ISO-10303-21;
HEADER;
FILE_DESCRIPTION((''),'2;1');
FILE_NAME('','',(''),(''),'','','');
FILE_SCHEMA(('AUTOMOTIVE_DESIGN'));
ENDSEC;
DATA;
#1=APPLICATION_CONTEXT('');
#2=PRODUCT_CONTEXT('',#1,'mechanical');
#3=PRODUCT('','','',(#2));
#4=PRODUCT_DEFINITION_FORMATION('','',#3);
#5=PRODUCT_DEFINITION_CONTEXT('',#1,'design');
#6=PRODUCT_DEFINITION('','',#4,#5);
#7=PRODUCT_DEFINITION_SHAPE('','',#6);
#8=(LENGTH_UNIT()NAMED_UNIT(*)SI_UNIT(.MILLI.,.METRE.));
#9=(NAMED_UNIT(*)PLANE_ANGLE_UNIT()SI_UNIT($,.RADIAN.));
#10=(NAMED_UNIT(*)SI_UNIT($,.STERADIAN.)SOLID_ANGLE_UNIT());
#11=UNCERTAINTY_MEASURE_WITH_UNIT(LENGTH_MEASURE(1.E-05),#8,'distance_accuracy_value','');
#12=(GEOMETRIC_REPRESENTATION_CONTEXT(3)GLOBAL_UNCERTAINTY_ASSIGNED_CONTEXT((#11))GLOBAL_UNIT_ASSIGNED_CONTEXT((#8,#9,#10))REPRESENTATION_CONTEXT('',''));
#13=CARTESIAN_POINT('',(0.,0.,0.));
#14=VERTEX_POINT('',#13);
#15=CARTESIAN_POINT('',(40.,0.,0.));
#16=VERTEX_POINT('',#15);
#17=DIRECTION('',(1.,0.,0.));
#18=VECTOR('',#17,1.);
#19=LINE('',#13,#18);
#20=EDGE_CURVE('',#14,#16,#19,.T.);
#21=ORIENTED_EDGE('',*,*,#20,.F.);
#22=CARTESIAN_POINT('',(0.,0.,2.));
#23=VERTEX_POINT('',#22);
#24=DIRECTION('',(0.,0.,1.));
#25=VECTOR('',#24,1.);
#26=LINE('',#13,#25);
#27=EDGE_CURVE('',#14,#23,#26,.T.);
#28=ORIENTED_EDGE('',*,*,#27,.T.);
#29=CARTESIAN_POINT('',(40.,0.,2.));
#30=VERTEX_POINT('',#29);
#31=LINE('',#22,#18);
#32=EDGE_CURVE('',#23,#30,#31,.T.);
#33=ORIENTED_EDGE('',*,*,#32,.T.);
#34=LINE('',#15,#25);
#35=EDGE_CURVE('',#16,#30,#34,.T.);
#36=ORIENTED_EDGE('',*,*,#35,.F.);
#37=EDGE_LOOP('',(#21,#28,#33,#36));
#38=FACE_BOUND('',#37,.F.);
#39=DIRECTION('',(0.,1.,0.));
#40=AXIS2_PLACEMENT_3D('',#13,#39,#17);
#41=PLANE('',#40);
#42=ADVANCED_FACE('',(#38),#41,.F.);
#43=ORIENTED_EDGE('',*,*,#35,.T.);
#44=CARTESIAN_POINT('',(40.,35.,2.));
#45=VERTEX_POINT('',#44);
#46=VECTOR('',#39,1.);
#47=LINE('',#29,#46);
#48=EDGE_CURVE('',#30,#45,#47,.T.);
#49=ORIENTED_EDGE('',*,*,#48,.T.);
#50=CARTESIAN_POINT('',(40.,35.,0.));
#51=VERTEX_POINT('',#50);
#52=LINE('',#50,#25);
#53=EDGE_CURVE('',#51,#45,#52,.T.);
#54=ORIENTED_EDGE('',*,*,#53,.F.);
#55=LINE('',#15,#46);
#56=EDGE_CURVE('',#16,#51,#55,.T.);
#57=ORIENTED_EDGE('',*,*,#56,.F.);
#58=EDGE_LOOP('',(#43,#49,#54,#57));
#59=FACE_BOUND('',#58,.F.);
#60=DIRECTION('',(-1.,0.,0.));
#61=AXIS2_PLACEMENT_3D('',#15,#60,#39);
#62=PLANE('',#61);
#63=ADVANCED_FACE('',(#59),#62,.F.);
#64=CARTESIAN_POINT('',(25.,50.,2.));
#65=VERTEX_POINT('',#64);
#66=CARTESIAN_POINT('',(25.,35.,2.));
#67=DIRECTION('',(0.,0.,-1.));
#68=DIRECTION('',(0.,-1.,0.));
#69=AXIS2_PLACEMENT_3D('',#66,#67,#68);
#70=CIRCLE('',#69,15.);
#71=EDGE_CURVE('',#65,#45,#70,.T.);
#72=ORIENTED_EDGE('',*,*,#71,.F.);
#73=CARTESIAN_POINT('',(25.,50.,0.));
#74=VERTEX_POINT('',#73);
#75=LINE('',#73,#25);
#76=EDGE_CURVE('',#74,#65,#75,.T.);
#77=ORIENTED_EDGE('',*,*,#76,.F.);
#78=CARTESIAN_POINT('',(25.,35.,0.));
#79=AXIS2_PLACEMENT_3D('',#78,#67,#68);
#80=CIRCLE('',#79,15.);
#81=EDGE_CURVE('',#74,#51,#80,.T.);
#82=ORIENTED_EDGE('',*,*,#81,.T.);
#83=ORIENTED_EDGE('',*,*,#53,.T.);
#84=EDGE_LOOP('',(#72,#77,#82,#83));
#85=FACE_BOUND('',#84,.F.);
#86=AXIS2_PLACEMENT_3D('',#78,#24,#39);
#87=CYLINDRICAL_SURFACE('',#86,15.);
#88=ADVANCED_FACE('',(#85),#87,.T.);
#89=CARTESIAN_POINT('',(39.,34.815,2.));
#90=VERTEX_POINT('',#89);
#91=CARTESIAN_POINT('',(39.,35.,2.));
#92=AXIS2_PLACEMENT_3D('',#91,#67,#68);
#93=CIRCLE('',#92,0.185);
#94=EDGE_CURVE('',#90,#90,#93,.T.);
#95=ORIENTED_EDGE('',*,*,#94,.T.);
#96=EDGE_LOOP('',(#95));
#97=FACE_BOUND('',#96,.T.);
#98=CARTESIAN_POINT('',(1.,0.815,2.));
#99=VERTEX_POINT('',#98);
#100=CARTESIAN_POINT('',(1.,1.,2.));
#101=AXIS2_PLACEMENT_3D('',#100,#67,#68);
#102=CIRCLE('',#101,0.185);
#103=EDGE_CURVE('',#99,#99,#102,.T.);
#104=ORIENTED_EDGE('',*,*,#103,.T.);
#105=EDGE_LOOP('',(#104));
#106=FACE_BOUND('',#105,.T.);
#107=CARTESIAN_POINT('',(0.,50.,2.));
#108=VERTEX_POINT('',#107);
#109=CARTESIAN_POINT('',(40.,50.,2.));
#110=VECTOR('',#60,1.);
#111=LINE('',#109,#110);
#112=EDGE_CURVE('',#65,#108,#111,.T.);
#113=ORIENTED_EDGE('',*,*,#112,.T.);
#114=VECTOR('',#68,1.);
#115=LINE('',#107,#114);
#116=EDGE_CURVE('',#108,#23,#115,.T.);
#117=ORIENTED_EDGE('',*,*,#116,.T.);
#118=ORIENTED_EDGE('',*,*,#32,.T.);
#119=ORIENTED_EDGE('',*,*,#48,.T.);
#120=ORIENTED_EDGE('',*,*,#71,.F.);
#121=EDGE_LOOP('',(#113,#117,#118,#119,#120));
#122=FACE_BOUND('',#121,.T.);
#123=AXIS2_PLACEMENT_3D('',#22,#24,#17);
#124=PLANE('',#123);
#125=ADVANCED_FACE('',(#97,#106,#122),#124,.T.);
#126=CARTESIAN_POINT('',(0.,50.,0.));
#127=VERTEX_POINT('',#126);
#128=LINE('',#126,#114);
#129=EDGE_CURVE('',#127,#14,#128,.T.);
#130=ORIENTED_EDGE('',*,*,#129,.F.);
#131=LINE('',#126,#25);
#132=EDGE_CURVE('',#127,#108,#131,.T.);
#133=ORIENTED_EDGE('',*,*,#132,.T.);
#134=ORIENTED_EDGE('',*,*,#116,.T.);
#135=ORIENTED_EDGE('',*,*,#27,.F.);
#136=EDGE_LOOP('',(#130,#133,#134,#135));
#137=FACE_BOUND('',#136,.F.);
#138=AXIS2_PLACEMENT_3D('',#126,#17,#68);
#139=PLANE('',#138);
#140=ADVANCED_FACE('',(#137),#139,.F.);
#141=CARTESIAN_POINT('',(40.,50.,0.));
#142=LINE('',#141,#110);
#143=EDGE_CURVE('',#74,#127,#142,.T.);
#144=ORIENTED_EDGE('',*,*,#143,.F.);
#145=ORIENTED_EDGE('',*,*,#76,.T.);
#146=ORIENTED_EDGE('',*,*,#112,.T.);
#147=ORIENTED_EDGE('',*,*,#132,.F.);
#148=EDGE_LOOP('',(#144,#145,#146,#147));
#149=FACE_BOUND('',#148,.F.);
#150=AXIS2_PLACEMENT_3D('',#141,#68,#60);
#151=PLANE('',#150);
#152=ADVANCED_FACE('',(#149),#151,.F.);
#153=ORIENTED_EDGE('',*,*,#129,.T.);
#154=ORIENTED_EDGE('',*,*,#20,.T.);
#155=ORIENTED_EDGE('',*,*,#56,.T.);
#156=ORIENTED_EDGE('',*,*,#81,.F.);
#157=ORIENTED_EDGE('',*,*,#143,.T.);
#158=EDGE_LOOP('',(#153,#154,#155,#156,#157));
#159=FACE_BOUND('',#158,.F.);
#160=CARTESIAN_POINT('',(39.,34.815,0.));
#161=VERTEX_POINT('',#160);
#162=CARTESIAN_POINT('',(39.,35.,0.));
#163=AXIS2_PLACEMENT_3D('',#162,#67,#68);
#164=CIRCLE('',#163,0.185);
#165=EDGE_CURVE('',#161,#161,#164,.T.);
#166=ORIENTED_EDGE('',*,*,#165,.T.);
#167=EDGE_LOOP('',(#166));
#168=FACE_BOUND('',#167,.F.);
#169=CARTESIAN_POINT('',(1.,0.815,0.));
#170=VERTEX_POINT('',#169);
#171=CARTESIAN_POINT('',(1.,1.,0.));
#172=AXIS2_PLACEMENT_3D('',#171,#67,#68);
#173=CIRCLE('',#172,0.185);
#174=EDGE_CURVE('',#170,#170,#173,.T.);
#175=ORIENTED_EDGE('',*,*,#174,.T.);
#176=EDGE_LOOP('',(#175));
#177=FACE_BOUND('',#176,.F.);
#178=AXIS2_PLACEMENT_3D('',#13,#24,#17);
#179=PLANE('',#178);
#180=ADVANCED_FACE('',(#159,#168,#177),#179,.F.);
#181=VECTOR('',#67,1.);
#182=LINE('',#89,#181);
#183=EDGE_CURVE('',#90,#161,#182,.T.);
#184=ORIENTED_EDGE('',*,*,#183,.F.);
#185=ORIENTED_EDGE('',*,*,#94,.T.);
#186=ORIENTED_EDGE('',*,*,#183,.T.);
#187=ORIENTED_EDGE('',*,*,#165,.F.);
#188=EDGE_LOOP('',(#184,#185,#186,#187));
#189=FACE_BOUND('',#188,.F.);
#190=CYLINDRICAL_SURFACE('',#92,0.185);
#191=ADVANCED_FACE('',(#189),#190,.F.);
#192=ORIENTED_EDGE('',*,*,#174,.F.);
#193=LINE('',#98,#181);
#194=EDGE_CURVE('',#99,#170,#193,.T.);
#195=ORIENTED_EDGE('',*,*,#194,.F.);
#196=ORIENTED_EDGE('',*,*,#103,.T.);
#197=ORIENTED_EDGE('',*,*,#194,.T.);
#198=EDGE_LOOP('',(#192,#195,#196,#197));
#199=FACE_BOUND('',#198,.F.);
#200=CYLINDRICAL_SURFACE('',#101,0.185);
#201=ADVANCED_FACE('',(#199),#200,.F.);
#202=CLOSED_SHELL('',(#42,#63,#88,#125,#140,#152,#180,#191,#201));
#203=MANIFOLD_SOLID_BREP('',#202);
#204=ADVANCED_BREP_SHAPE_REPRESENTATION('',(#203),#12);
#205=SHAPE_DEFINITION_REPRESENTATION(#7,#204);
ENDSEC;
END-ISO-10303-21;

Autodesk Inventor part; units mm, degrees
ref_plane "YZ Plane" through (0, 0, 0) normal (1, 0, 0) x (0, 1, 0)
ref_plane "XZ Plane" through (0, 0, 0) normal (0, 1, 0) x (-1, 0, 0)
ref_plane "XY Plane" through (0, 0, 0) normal (0, 0, 1) x (1, 0, 0)
sketch "Sketch1" plane through (0, 0, 0) normal (0, 0, 1) x (1, 0, 0)
  point P0 (0, 0)
sketch "Sketch2" plane through (0, 0, 0) normal (0, 0, 1) x (1, 0, 0)
  line L0 (0, 0) -> (40, 0)
  line L1 (40, 0) -> (40, 50)
  line L2 (40, 50) -> (0, 50)
  line L3 (0, 50) -> (0, 0)
extrude "Extrusion1" add sketch "Sketch2" along normal blind 2
sketch "Sketch3" plane through (0, 0, 2) normal (0, 0, 1) x (1, 0, 0)
  point P0 (0, 0)
fillet "Fillet1" radius 15 1 edges at (40, 50, 1)
sketch "Sketch4" plane through (0, 0, 2) normal (0, 0, 1) x (1, 0, 0)
  point P0 (0, 0)
  point P1 (1, 1)
  point P2 (39, 35)
hole "Hole1" at (1, 1, 2) direction (0, 0, -1) diameter 0.37 end through all thread size "M0.5x0.125" class "6H" standard "ISO Metric profile"
sketch "Sketch5" plane through (0, 0, 2) normal (0, 0, 1) x (1, 0, 0)
  point P0 (0, 0)
  point P1 (39, 35)
hole "Hole2" at (39, 35, 2) direction (0, 0, -1) diameter 0.37 end through all thread size "M0.5x0.125" class "6H" standard "ISO Metric profile"
properties part number "Dół"
